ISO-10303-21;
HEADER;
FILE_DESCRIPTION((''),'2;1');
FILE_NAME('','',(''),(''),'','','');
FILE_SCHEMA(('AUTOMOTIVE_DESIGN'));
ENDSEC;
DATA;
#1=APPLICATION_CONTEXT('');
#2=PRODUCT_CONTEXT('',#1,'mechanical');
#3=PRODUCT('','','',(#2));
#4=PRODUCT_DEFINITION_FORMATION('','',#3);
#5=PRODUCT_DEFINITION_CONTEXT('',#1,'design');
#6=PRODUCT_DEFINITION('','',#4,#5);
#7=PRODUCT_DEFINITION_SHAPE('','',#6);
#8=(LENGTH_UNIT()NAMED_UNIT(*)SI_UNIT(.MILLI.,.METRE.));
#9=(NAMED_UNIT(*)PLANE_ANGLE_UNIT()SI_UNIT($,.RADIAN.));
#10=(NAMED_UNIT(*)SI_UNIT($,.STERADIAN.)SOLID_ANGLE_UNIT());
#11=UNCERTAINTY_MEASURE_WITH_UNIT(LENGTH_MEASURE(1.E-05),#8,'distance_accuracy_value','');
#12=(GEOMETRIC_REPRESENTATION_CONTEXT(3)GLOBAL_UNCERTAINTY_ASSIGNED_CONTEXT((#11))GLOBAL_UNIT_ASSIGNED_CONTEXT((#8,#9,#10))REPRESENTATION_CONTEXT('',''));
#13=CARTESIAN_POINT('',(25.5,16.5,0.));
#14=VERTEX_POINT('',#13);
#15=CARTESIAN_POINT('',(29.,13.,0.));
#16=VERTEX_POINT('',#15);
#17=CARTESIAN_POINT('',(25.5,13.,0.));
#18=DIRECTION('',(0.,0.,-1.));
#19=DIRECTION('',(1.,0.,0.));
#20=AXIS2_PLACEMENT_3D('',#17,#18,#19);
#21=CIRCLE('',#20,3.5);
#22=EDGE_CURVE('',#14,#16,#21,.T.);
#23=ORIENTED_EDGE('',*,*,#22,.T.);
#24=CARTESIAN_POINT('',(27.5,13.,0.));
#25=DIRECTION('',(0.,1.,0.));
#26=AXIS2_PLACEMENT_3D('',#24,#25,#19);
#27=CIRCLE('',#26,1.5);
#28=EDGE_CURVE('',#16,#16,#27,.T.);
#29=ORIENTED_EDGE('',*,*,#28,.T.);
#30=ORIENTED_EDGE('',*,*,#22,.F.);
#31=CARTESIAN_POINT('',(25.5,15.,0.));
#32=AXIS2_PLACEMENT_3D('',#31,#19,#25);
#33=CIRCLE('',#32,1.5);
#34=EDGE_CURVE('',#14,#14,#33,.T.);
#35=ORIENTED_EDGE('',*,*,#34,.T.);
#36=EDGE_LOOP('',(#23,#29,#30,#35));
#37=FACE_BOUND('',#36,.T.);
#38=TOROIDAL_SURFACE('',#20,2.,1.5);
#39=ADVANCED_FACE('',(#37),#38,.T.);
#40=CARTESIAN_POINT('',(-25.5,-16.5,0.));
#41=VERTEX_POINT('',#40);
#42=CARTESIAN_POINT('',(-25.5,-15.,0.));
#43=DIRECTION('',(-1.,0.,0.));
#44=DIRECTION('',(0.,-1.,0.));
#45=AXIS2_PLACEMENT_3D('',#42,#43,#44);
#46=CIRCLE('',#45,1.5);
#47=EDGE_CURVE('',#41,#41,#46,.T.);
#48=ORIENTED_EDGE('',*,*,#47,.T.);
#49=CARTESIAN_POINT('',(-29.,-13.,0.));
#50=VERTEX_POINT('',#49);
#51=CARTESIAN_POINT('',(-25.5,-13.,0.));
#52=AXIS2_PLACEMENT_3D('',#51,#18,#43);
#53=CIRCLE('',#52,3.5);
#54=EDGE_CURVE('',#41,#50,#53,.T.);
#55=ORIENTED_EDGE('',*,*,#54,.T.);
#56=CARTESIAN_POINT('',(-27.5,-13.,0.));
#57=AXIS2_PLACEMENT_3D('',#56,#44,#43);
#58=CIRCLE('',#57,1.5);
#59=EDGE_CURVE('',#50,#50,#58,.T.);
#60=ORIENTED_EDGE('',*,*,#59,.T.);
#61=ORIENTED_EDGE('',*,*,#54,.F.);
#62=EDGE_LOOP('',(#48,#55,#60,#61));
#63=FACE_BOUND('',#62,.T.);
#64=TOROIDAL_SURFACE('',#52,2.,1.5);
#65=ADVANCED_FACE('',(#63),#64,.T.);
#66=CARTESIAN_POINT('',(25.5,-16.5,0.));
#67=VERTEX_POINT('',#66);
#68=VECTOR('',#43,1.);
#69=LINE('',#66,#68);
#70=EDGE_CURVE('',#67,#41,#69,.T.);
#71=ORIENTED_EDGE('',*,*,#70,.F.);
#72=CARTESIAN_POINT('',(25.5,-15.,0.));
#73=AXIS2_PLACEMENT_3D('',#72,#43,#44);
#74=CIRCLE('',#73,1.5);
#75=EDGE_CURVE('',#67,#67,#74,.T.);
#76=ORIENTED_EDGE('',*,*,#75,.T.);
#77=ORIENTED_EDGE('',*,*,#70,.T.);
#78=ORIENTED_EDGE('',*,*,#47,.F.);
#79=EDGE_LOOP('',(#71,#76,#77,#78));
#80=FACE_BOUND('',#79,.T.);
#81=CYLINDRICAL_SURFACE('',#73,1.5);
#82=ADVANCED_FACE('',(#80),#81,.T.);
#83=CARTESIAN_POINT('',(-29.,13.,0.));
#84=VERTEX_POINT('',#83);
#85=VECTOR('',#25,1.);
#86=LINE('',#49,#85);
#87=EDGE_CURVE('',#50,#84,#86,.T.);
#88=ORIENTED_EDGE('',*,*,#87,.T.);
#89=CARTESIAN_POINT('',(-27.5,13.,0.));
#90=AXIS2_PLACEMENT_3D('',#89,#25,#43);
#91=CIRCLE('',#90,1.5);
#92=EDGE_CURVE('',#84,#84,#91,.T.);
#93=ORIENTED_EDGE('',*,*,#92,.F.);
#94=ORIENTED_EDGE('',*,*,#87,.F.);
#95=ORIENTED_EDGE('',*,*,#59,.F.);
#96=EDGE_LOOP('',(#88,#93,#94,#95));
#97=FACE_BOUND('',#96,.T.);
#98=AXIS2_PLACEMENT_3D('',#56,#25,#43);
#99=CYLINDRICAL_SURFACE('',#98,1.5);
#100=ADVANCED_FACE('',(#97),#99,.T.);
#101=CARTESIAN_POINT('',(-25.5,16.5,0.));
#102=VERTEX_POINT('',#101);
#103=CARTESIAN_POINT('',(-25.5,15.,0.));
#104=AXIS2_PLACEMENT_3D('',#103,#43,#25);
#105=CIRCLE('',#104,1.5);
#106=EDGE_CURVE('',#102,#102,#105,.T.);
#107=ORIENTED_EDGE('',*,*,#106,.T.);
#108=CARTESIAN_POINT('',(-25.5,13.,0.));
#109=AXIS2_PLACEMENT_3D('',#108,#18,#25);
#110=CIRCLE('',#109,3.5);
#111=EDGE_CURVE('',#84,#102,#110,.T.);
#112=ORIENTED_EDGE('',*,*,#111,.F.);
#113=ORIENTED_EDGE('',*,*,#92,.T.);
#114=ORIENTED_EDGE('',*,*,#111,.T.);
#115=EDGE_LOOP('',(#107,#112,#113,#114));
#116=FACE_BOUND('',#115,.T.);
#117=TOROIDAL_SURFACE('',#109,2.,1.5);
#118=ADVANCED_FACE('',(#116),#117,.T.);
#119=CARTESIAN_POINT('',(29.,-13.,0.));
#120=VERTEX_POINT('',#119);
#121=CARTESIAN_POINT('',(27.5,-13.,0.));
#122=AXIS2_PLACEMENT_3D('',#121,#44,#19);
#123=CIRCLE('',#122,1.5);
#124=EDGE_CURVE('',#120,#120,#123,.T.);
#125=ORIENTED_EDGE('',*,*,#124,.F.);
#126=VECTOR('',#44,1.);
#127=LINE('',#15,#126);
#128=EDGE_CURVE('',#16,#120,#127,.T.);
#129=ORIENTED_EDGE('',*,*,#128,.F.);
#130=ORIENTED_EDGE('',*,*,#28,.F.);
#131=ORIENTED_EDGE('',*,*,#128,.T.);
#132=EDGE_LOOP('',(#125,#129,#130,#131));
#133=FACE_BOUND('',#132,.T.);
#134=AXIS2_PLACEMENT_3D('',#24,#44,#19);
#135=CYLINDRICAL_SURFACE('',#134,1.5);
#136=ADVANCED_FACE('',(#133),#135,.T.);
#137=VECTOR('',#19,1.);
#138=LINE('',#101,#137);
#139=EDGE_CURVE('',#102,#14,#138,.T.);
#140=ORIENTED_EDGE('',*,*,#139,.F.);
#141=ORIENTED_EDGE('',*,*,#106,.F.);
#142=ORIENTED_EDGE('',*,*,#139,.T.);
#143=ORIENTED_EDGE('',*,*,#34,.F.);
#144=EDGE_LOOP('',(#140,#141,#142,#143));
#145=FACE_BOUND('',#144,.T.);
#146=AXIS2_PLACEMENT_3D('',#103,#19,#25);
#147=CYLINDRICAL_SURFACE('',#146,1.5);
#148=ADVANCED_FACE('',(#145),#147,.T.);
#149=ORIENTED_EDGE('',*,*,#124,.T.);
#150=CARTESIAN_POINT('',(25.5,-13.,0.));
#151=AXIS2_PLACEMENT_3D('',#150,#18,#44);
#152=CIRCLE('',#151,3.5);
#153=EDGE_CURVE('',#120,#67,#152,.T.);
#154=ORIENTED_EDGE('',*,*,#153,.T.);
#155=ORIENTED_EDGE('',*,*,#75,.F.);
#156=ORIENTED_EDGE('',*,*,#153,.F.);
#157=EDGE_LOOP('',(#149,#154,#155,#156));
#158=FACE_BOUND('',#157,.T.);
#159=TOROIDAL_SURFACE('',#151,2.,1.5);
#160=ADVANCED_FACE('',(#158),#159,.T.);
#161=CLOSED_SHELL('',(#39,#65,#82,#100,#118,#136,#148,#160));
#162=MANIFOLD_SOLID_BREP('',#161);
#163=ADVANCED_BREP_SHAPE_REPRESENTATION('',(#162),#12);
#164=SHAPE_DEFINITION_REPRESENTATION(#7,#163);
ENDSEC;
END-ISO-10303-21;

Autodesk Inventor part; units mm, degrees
ref_plane "YZ Plane" through (0, 0, 0) normal (1, 0, 0) x (0, 1, 0)
ref_plane "XZ Plane" through (0, 0, 0) normal (0, 1, 0) x (-1, 0, 0)
ref_plane "XY Plane" through (0, 0, 0) normal (0, 0, 1) x (1, 0, 0)
sketch "Sketch2" plane through (0, 0, 0) normal (0, 0, 1) x (1, 0, 0)
  line L0 (29, -16.5) -> (-29, -16.5) construction
  line L1 (-29, -16.5) -> (-29, 16.5) construction
  line L2 (-29, 16.5) -> (29, 16.5) construction
  line L3 (29, 16.5) -> (29, -16.5) construction
  line L4 (29, -16.5) -> (-29, 16.5) construction
  line L5 (-29, -16.5) -> (29, 16.5) construction
  line L6 (25.5, -15) -> (-25.5, -15)
  line L7 (-27.5, -13) -> (-27.5, 13)
  line L8 (-25.5, 15) -> (25.5, 15)
  line L9 (27.5, 13) -> (27.5, -13)
  line L10 (27.5, -15) -> (-27.5, 15) construction
  line L11 (-27.5, -15) -> (27.5, 15) construction
  arc A0 (-25.5, 15) -> (-27.5, 13) centre (-25.5, 13) ccw
  arc A1 (-27.5, -13) -> (-25.5, -15) centre (-25.5, -13) ccw
  arc A2 (25.5, -15) -> (27.5, -13) centre (25.5, -13) ccw
  arc A3 (27.5, 13) -> (25.5, 15) centre (25.5, 13) ccw
  point P0 (0, 0)
  dimension "d0" = 58
  dimension "d1" = 33
  dimension "d9" = 1.5
  dimension "d10" = 1.5
  dimension "d14" = 2
sketch "Sketch4" plane through (0, 0, 0) normal (1, 0, 0) x (0, 1, 0)
  line L0 (16.5, 0) -> (-16.5, 0) construction
  circle A0 centre (15, 0) radius 1.5
  point P0 (0, 0)
  dimension "d11" = 3
sweep "Sweep1" add profiles "Sketch4" path "Sketch2"
properties part number "P020_Joint" material "Rubber, Silicone"
